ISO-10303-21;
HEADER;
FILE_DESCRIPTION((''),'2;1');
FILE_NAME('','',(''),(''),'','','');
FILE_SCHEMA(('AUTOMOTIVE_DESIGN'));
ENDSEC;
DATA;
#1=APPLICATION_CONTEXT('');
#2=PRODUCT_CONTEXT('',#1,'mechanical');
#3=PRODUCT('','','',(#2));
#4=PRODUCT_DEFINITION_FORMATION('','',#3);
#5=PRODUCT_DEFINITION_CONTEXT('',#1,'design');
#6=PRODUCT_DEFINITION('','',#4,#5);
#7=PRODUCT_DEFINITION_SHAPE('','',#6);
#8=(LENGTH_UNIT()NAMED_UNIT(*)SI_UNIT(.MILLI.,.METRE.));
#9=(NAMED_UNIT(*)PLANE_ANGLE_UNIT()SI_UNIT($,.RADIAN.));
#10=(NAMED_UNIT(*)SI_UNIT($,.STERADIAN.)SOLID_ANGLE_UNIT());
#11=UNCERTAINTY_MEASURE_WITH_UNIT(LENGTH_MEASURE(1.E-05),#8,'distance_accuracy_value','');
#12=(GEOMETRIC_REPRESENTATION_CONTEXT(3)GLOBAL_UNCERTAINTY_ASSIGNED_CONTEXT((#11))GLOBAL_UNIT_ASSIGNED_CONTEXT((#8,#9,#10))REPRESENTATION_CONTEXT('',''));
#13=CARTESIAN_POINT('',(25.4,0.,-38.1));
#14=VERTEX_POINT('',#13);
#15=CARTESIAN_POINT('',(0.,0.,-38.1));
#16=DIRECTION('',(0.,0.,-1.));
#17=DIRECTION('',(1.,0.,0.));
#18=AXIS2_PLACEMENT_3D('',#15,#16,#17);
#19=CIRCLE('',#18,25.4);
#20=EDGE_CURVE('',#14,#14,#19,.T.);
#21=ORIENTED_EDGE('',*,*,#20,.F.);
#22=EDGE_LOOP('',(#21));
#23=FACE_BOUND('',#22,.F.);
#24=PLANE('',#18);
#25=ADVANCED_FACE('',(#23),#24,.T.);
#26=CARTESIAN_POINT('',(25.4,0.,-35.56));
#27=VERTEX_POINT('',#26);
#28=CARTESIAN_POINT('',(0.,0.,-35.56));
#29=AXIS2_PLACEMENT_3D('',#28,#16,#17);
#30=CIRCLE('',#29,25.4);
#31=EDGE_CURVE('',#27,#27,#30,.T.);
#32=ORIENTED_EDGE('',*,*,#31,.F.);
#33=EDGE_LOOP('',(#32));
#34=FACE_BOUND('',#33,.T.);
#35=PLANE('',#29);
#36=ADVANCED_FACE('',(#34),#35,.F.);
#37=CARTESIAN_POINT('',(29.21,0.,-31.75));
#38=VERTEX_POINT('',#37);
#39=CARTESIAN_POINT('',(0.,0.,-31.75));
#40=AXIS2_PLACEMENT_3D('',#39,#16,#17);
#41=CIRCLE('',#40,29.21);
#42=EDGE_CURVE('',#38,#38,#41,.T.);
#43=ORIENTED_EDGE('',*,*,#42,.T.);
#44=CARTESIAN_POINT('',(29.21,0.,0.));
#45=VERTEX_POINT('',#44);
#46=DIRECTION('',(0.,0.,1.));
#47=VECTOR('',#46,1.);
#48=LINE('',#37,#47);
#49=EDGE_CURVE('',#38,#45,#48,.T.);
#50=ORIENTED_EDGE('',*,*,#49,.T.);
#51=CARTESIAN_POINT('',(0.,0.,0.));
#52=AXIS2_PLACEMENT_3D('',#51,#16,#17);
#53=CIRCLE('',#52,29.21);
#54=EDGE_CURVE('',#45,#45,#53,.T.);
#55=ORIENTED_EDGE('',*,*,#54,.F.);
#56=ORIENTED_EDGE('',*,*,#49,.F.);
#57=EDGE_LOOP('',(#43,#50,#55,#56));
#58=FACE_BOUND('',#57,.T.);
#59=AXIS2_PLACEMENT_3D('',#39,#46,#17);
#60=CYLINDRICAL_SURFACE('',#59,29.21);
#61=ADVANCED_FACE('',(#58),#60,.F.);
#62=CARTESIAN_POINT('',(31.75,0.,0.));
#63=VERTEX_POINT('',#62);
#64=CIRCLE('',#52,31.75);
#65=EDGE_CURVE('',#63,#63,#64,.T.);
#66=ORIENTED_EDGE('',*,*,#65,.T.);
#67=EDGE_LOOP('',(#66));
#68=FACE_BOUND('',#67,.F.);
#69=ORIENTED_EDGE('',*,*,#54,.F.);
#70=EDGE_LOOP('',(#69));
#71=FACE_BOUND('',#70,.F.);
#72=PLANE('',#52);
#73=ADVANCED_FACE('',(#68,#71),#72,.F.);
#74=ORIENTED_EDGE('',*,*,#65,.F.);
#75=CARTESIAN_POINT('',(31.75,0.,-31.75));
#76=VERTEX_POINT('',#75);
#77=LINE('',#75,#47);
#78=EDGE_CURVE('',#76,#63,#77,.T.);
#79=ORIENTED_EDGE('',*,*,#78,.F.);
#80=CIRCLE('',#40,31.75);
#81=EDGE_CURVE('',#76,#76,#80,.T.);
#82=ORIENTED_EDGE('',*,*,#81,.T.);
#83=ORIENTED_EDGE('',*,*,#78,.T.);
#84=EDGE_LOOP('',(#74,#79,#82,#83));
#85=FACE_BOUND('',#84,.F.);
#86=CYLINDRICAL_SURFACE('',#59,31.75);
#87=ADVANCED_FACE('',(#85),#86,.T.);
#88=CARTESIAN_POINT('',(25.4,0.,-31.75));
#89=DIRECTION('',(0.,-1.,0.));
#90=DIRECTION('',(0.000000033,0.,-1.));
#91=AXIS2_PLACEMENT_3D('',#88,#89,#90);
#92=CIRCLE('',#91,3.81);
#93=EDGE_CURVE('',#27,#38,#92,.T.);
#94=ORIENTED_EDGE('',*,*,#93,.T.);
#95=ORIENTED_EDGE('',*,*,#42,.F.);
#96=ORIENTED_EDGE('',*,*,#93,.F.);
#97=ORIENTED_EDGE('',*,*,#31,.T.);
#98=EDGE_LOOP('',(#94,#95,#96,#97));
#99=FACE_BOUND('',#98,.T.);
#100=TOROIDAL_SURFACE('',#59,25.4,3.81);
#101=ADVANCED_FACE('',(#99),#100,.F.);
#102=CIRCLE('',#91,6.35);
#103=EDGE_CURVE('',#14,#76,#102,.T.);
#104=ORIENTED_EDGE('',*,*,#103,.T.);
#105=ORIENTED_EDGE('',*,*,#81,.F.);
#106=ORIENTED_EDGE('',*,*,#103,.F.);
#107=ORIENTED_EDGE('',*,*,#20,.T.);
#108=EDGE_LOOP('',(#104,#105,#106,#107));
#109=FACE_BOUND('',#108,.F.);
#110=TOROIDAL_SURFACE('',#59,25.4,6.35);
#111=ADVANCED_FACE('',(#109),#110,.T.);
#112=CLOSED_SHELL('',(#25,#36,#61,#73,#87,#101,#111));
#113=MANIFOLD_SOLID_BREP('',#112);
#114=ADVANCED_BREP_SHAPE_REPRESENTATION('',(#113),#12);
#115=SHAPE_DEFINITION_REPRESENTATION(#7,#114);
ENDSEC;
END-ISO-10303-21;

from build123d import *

# Parameters (mm, degrees)
F2_T = -2.54


with BuildPart() as f1:
    # F0 (on Front) → F1 (revolve)
    with BuildSketch(Plane.XZ):
        with BuildLine():
            Line((31.75, 0), (0, 0))
            Line((0, 0), (0, -38.1))
            Line((0, -38.1), (25.4, -38.1))
            ThreePointArc((25.4, -38.1), (29.890128, -36.240128), (31.75, -31.75))
            Line((31.75, -31.75), (31.75, 0))
        make_face()
    revolve(axis=Axis((0, 0, -6.767765), (0, 0, -1)))

    # F2
    f2_openings = [f1.faces().sort_by_distance(p)[0] for p in [
        (0, 0, 0),
    ]]
    offset(amount=F2_T, openings=f2_openings)


solid = f1.part
